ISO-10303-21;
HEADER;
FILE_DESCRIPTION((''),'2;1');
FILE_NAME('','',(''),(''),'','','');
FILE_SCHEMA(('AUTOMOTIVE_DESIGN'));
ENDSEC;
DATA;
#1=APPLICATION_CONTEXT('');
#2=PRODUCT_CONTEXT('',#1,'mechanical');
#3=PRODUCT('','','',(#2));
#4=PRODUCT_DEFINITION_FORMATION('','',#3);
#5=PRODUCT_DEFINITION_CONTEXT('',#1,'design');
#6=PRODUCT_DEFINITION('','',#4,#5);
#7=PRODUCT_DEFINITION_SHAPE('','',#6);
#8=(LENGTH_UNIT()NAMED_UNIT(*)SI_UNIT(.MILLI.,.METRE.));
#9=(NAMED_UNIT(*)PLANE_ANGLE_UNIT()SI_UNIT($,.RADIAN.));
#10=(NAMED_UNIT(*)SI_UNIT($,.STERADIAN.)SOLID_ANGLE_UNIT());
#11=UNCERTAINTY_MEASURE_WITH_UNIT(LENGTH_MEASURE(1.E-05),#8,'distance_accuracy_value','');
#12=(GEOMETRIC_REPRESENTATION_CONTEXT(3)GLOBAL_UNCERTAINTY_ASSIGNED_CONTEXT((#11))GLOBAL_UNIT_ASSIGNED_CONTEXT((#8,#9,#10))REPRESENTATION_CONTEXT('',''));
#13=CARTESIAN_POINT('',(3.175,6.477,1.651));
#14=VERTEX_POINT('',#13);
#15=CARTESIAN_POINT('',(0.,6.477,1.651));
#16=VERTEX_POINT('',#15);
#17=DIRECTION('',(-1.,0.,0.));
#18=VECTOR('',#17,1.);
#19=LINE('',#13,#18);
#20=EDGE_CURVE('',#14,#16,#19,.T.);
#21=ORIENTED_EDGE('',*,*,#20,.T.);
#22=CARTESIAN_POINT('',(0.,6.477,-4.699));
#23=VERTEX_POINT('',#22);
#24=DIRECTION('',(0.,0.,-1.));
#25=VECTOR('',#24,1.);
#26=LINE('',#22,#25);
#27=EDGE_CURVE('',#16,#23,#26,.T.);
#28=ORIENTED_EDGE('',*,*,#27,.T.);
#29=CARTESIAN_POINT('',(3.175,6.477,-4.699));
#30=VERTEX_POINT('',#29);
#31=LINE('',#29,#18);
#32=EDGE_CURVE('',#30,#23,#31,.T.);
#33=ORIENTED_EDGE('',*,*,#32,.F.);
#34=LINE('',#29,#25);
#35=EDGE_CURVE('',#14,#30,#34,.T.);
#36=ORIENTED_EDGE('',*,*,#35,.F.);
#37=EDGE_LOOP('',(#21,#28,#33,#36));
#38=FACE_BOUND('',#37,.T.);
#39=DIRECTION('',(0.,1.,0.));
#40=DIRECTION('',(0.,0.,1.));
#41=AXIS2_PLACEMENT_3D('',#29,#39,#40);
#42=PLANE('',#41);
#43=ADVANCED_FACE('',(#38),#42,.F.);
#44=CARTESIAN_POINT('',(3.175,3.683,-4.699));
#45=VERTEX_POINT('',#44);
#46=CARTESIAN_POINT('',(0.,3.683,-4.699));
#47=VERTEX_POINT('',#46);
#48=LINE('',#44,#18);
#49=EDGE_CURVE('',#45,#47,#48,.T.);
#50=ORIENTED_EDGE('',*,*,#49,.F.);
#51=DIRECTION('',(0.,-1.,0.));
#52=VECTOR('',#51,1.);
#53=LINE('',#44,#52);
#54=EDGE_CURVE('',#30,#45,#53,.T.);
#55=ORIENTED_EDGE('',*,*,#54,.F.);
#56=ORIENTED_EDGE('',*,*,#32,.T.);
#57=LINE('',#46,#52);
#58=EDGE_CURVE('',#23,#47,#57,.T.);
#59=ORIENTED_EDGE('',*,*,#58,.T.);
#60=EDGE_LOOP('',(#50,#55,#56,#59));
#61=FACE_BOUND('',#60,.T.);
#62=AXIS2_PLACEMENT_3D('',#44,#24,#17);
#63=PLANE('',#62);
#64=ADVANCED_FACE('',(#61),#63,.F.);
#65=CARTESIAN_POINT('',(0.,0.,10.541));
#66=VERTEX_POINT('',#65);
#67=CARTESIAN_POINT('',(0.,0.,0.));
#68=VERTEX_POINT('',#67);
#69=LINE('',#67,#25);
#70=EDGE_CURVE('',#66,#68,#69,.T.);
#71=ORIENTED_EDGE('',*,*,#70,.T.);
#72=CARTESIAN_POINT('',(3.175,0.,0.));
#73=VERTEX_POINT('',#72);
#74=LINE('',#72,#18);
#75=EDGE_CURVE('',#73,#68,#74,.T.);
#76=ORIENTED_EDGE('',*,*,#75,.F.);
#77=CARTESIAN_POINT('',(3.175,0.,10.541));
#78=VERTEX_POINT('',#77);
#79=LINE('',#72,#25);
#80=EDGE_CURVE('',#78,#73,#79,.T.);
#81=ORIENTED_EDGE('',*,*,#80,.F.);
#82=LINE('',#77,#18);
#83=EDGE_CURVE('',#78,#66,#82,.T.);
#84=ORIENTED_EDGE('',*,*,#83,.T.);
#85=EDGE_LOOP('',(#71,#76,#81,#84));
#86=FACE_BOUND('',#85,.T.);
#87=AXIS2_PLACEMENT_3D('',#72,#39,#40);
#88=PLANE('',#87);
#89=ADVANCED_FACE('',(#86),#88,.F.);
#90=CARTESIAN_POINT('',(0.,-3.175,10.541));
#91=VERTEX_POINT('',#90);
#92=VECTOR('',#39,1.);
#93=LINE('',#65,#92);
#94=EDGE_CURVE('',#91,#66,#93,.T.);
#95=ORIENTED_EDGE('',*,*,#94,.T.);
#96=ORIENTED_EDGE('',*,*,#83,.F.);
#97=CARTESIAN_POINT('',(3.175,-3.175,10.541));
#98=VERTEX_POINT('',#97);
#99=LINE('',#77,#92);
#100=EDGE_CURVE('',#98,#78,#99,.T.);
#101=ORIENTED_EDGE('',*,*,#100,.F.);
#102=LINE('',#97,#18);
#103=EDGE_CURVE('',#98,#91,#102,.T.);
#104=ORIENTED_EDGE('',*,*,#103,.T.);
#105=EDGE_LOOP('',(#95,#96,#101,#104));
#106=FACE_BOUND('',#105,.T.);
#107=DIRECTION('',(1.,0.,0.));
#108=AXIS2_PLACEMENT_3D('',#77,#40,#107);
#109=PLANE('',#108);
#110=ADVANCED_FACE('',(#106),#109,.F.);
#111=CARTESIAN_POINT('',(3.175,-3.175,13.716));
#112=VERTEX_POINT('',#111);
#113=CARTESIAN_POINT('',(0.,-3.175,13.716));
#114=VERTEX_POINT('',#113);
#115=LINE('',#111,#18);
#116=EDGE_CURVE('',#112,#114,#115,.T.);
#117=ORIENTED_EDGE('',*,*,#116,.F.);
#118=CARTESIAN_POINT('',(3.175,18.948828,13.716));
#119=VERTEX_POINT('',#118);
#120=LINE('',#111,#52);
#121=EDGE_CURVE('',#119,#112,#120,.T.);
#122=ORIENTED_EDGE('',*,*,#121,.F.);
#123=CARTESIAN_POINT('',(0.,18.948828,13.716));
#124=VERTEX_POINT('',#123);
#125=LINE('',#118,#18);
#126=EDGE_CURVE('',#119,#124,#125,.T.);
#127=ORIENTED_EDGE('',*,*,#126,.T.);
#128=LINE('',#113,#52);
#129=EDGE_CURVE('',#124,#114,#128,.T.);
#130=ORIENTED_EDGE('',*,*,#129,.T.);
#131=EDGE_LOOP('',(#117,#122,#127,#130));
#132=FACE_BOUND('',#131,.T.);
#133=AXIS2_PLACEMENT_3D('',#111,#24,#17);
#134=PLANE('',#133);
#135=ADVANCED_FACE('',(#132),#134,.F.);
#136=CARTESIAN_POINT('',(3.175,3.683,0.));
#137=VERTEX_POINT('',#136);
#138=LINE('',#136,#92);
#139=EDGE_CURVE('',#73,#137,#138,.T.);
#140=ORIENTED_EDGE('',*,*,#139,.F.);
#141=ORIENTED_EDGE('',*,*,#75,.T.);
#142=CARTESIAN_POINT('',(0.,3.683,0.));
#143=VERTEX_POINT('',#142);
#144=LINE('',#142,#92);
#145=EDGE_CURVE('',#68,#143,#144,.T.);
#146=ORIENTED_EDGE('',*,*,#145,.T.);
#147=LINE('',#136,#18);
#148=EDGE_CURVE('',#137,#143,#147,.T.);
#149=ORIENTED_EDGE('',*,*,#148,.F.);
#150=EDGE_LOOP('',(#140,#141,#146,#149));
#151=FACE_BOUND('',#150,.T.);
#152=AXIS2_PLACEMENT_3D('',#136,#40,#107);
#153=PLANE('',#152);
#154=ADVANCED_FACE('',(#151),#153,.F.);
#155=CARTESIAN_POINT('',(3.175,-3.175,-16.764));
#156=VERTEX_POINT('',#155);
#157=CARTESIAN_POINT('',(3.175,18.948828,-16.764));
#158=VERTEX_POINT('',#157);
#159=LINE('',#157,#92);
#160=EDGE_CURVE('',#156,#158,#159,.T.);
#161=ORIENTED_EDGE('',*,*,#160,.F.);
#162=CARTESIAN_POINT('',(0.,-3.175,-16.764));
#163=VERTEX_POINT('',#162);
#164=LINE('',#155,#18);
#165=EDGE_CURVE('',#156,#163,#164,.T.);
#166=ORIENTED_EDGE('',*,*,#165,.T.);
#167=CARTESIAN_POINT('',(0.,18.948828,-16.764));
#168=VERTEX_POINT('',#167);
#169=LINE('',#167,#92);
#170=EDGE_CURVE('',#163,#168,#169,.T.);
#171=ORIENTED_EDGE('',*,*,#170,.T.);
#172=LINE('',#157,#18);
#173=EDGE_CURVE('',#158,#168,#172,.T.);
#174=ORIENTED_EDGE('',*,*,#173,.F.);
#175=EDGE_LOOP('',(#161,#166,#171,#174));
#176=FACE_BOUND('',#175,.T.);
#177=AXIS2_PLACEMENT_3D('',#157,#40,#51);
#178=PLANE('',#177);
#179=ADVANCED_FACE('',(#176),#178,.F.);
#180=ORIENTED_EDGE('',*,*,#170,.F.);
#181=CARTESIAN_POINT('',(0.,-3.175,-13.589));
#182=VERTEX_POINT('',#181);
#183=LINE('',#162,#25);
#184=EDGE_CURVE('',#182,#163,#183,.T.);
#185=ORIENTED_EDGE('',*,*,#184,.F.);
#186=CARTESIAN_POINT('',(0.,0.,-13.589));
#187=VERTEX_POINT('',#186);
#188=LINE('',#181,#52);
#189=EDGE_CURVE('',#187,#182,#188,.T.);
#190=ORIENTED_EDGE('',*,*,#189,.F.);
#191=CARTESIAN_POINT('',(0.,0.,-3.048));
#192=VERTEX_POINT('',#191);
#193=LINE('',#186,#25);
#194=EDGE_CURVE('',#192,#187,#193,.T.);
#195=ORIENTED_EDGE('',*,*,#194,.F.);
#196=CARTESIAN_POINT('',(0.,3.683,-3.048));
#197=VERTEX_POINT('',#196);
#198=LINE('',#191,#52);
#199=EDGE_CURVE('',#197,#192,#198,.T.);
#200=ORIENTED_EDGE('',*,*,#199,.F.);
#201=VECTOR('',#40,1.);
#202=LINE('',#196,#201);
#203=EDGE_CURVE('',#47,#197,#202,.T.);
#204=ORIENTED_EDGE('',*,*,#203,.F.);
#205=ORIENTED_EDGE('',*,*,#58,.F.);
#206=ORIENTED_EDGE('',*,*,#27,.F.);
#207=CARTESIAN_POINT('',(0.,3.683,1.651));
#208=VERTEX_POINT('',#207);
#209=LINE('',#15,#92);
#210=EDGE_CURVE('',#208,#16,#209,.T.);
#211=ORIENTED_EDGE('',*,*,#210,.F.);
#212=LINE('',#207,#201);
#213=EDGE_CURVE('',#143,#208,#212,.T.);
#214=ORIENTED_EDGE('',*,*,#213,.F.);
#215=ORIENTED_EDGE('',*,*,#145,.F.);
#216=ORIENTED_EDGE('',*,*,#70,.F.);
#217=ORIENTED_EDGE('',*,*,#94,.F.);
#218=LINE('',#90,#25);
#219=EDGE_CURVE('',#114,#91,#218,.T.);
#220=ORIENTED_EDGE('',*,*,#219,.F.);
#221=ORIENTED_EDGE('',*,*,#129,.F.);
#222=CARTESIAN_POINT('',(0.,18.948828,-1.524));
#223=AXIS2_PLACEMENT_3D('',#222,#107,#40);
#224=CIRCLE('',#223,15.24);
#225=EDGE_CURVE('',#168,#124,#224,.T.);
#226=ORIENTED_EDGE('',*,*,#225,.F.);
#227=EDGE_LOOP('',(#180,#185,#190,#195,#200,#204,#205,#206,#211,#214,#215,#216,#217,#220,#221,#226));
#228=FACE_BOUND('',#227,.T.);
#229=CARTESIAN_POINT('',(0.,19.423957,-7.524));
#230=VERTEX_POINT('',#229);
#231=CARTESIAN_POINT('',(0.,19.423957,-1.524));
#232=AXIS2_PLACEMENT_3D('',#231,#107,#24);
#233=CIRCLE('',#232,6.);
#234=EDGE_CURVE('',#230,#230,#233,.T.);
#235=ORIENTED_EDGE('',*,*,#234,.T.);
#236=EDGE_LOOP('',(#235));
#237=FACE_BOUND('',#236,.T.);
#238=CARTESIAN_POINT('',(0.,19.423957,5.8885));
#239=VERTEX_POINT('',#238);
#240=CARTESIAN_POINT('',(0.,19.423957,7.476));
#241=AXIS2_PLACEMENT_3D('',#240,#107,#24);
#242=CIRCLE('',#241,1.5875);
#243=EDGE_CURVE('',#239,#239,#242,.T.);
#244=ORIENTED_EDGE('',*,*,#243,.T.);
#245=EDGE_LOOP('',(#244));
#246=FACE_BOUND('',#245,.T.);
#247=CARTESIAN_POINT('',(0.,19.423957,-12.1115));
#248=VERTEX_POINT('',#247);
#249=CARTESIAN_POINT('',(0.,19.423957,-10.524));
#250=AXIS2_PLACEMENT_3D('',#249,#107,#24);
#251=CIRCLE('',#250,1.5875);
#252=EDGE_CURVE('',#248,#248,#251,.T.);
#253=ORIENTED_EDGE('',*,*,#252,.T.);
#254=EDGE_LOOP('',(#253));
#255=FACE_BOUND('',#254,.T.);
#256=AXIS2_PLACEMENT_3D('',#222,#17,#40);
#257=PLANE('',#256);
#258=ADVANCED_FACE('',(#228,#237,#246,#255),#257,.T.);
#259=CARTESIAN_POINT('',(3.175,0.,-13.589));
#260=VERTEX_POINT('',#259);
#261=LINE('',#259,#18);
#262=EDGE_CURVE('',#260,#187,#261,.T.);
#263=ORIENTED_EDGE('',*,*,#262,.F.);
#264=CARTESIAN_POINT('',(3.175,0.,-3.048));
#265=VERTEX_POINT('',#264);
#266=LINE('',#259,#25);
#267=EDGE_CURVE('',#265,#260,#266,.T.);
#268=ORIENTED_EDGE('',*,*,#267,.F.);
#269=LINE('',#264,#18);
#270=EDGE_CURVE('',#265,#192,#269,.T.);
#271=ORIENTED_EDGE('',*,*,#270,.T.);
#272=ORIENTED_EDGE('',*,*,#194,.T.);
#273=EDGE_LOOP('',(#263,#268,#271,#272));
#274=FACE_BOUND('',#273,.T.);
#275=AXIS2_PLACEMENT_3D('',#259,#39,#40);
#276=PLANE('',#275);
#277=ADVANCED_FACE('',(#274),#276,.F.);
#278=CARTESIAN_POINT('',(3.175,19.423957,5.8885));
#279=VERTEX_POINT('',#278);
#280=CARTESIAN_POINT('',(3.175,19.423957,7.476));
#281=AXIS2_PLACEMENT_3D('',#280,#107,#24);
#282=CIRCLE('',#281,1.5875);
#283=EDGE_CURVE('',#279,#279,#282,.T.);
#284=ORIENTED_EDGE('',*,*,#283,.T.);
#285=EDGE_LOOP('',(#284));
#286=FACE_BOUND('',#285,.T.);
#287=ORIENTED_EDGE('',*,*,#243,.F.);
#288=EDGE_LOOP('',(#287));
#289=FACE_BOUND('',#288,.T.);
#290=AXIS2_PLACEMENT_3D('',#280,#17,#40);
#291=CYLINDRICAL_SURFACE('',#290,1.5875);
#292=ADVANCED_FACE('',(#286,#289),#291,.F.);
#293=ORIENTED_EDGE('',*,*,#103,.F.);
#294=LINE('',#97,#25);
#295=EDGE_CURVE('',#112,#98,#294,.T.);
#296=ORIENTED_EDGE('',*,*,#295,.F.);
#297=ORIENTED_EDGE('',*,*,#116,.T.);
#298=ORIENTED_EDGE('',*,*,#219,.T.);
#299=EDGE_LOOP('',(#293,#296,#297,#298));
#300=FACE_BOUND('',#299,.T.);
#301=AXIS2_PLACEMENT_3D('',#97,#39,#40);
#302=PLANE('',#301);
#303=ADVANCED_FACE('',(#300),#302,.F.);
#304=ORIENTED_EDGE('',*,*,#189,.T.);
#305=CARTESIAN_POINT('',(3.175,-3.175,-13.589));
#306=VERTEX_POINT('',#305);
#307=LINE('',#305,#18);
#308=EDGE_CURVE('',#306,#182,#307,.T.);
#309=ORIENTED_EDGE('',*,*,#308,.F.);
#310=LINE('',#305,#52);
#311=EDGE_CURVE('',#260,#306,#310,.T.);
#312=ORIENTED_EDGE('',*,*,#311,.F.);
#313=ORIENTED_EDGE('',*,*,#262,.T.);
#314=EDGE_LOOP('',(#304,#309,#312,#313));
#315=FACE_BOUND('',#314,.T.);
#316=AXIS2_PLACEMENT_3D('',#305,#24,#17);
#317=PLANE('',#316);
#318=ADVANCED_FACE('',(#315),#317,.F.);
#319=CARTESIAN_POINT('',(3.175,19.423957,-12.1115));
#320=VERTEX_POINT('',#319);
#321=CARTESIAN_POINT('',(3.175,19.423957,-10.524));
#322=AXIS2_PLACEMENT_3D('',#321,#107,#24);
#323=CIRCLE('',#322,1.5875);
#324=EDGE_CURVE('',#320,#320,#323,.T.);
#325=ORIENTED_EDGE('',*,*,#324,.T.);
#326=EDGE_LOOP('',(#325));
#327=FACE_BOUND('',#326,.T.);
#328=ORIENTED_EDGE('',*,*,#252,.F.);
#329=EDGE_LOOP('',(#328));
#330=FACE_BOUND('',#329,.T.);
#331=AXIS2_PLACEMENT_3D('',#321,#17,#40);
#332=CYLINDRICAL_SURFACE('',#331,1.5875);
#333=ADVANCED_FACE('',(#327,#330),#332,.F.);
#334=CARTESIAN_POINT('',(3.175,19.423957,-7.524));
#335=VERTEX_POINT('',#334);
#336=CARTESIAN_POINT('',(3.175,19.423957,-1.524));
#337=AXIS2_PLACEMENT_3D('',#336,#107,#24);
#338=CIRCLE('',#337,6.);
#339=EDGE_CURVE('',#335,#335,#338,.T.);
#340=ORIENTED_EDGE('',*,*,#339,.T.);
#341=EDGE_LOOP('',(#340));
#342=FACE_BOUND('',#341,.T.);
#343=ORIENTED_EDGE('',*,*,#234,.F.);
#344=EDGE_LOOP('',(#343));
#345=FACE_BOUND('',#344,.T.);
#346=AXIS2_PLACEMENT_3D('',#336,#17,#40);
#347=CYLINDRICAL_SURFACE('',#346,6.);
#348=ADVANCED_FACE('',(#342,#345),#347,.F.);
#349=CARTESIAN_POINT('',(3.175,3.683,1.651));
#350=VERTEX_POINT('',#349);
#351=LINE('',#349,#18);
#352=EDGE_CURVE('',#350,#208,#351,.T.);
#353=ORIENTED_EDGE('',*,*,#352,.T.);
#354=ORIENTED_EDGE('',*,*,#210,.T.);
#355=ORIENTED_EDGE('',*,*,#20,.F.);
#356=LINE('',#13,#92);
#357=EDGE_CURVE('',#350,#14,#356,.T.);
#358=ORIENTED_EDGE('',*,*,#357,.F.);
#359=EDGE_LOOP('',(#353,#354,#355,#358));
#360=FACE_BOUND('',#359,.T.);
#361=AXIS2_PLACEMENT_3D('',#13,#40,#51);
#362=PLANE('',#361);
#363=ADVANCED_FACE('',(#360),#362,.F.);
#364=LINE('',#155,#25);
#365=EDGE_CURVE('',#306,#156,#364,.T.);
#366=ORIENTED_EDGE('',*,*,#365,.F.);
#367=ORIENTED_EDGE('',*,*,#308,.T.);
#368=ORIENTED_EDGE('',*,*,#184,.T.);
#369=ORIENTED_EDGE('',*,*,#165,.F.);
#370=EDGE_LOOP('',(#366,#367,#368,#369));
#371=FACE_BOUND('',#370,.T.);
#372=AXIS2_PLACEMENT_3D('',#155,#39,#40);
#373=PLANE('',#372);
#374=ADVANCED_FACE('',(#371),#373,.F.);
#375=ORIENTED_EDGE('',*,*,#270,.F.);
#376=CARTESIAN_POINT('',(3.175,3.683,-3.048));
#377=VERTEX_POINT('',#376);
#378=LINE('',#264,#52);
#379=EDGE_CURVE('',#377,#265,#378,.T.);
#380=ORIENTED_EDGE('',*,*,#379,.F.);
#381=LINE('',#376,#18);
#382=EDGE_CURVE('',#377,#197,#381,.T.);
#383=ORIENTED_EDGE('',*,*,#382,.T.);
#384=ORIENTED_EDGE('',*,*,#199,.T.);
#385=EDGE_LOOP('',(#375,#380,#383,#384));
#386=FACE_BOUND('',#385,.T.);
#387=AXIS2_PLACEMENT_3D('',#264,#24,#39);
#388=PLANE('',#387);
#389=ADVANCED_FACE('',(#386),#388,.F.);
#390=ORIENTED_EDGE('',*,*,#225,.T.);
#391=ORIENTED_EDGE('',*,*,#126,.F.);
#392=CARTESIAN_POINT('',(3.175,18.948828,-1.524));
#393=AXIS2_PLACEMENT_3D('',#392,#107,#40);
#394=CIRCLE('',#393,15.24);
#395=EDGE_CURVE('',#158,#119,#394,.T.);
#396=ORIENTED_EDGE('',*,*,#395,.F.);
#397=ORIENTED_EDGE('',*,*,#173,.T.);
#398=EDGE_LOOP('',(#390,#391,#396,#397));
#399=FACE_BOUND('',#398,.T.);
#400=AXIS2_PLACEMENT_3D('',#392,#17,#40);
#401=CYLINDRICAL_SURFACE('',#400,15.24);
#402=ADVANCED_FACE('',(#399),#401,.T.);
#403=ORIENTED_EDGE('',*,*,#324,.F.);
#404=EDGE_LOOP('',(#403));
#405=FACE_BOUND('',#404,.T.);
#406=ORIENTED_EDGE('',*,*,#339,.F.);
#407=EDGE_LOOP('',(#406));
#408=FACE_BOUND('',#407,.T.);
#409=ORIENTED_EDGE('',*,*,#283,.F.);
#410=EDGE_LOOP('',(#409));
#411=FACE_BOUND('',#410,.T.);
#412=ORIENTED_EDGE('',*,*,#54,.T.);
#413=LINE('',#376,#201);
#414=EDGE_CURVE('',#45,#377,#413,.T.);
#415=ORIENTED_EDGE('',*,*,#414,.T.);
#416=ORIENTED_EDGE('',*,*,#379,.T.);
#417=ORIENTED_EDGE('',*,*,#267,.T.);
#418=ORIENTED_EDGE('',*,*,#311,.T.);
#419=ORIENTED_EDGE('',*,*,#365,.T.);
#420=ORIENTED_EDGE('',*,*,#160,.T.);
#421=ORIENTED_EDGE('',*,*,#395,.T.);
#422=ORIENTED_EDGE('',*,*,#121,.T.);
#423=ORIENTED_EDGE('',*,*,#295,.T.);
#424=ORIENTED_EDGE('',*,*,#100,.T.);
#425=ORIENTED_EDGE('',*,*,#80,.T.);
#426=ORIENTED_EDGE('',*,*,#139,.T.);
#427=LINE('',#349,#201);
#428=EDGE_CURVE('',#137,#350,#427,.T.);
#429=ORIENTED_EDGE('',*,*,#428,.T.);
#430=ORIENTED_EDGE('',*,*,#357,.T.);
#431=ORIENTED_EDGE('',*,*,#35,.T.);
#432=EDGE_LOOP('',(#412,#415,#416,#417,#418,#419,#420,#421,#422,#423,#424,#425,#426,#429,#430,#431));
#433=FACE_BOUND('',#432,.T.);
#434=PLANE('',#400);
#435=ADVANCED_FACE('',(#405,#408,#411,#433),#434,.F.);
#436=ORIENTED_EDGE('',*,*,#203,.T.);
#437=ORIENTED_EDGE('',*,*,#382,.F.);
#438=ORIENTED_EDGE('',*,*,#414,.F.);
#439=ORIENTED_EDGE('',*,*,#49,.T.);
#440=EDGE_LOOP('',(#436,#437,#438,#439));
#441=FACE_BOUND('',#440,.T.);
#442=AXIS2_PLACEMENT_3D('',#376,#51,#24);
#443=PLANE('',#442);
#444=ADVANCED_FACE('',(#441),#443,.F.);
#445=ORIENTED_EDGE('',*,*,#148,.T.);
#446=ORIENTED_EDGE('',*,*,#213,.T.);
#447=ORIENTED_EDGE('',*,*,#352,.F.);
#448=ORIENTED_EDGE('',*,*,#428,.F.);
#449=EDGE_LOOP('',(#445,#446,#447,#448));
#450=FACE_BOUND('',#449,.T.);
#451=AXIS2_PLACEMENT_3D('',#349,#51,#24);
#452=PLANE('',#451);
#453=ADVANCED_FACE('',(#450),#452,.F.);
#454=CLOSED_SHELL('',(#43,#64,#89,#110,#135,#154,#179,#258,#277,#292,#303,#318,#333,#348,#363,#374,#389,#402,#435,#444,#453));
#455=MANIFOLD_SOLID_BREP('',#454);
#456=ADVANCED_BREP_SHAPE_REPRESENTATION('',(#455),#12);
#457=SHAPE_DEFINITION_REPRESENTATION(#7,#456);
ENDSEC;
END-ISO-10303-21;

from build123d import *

# Parameters (mm, degrees)
SKETCH1_R           = 6
SKETCH1_R_2         = 1.5875
BOSS_EXTRUDE1_DEPTH = 3.175


with BuildPart() as part:
    # Sketch1 → Boss-Extrude1 (new body)
    with BuildSketch(Plane(origin=(0, 0, 0), x_dir=(0, 0, -1), z_dir=(1, 0, 0))):
        with BuildLine():
            Line((-13.716, -3.175), (-13.716, 18.94882794))
            ThreePointArc((-13.716, 18.94882794), (1.524, 34.18882794), (16.764, 18.94882794))
            Line((16.764, 18.94882794), (16.764, -3.175))
            Line((16.764, -3.175), (13.589, -3.175))
            Line((13.589, -3.175), (13.589, 0))
            Line((13.589, 0), (3.048, 0))
            Line((3.048, 0), (3.048, 3.683))
            Line((3.048, 3.683), (4.699, 3.683))
            Line((4.699, 3.683), (4.699, 6.477))
            Line((4.699, 6.477), (-1.651, 6.477))
            Line((-1.651, 6.477), (-1.651, 3.683))
            Line((-1.651, 3.683), (0, 3.683))
            Line((0, 3.683), (0, 0))
            Line((0, 0), (-10.541, 0))
            Line((-10.541, 0), (-10.541, -3.175))
            Line((-10.541, -3.175), (-13.716, -3.175))
        make_face()
        with Locations((1.524, 19.423957259)):
            Circle(SKETCH1_R, mode=Mode.SUBTRACT)
        with Locations((-7.476, 19.423957259)):
            Circle(SKETCH1_R_2, mode=Mode.SUBTRACT)
        with Locations((10.524, 19.423957259)):
            Circle(SKETCH1_R_2, mode=Mode.SUBTRACT)
    extrude(amount=BOSS_EXTRUDE1_DEPTH)


solid = part.part
